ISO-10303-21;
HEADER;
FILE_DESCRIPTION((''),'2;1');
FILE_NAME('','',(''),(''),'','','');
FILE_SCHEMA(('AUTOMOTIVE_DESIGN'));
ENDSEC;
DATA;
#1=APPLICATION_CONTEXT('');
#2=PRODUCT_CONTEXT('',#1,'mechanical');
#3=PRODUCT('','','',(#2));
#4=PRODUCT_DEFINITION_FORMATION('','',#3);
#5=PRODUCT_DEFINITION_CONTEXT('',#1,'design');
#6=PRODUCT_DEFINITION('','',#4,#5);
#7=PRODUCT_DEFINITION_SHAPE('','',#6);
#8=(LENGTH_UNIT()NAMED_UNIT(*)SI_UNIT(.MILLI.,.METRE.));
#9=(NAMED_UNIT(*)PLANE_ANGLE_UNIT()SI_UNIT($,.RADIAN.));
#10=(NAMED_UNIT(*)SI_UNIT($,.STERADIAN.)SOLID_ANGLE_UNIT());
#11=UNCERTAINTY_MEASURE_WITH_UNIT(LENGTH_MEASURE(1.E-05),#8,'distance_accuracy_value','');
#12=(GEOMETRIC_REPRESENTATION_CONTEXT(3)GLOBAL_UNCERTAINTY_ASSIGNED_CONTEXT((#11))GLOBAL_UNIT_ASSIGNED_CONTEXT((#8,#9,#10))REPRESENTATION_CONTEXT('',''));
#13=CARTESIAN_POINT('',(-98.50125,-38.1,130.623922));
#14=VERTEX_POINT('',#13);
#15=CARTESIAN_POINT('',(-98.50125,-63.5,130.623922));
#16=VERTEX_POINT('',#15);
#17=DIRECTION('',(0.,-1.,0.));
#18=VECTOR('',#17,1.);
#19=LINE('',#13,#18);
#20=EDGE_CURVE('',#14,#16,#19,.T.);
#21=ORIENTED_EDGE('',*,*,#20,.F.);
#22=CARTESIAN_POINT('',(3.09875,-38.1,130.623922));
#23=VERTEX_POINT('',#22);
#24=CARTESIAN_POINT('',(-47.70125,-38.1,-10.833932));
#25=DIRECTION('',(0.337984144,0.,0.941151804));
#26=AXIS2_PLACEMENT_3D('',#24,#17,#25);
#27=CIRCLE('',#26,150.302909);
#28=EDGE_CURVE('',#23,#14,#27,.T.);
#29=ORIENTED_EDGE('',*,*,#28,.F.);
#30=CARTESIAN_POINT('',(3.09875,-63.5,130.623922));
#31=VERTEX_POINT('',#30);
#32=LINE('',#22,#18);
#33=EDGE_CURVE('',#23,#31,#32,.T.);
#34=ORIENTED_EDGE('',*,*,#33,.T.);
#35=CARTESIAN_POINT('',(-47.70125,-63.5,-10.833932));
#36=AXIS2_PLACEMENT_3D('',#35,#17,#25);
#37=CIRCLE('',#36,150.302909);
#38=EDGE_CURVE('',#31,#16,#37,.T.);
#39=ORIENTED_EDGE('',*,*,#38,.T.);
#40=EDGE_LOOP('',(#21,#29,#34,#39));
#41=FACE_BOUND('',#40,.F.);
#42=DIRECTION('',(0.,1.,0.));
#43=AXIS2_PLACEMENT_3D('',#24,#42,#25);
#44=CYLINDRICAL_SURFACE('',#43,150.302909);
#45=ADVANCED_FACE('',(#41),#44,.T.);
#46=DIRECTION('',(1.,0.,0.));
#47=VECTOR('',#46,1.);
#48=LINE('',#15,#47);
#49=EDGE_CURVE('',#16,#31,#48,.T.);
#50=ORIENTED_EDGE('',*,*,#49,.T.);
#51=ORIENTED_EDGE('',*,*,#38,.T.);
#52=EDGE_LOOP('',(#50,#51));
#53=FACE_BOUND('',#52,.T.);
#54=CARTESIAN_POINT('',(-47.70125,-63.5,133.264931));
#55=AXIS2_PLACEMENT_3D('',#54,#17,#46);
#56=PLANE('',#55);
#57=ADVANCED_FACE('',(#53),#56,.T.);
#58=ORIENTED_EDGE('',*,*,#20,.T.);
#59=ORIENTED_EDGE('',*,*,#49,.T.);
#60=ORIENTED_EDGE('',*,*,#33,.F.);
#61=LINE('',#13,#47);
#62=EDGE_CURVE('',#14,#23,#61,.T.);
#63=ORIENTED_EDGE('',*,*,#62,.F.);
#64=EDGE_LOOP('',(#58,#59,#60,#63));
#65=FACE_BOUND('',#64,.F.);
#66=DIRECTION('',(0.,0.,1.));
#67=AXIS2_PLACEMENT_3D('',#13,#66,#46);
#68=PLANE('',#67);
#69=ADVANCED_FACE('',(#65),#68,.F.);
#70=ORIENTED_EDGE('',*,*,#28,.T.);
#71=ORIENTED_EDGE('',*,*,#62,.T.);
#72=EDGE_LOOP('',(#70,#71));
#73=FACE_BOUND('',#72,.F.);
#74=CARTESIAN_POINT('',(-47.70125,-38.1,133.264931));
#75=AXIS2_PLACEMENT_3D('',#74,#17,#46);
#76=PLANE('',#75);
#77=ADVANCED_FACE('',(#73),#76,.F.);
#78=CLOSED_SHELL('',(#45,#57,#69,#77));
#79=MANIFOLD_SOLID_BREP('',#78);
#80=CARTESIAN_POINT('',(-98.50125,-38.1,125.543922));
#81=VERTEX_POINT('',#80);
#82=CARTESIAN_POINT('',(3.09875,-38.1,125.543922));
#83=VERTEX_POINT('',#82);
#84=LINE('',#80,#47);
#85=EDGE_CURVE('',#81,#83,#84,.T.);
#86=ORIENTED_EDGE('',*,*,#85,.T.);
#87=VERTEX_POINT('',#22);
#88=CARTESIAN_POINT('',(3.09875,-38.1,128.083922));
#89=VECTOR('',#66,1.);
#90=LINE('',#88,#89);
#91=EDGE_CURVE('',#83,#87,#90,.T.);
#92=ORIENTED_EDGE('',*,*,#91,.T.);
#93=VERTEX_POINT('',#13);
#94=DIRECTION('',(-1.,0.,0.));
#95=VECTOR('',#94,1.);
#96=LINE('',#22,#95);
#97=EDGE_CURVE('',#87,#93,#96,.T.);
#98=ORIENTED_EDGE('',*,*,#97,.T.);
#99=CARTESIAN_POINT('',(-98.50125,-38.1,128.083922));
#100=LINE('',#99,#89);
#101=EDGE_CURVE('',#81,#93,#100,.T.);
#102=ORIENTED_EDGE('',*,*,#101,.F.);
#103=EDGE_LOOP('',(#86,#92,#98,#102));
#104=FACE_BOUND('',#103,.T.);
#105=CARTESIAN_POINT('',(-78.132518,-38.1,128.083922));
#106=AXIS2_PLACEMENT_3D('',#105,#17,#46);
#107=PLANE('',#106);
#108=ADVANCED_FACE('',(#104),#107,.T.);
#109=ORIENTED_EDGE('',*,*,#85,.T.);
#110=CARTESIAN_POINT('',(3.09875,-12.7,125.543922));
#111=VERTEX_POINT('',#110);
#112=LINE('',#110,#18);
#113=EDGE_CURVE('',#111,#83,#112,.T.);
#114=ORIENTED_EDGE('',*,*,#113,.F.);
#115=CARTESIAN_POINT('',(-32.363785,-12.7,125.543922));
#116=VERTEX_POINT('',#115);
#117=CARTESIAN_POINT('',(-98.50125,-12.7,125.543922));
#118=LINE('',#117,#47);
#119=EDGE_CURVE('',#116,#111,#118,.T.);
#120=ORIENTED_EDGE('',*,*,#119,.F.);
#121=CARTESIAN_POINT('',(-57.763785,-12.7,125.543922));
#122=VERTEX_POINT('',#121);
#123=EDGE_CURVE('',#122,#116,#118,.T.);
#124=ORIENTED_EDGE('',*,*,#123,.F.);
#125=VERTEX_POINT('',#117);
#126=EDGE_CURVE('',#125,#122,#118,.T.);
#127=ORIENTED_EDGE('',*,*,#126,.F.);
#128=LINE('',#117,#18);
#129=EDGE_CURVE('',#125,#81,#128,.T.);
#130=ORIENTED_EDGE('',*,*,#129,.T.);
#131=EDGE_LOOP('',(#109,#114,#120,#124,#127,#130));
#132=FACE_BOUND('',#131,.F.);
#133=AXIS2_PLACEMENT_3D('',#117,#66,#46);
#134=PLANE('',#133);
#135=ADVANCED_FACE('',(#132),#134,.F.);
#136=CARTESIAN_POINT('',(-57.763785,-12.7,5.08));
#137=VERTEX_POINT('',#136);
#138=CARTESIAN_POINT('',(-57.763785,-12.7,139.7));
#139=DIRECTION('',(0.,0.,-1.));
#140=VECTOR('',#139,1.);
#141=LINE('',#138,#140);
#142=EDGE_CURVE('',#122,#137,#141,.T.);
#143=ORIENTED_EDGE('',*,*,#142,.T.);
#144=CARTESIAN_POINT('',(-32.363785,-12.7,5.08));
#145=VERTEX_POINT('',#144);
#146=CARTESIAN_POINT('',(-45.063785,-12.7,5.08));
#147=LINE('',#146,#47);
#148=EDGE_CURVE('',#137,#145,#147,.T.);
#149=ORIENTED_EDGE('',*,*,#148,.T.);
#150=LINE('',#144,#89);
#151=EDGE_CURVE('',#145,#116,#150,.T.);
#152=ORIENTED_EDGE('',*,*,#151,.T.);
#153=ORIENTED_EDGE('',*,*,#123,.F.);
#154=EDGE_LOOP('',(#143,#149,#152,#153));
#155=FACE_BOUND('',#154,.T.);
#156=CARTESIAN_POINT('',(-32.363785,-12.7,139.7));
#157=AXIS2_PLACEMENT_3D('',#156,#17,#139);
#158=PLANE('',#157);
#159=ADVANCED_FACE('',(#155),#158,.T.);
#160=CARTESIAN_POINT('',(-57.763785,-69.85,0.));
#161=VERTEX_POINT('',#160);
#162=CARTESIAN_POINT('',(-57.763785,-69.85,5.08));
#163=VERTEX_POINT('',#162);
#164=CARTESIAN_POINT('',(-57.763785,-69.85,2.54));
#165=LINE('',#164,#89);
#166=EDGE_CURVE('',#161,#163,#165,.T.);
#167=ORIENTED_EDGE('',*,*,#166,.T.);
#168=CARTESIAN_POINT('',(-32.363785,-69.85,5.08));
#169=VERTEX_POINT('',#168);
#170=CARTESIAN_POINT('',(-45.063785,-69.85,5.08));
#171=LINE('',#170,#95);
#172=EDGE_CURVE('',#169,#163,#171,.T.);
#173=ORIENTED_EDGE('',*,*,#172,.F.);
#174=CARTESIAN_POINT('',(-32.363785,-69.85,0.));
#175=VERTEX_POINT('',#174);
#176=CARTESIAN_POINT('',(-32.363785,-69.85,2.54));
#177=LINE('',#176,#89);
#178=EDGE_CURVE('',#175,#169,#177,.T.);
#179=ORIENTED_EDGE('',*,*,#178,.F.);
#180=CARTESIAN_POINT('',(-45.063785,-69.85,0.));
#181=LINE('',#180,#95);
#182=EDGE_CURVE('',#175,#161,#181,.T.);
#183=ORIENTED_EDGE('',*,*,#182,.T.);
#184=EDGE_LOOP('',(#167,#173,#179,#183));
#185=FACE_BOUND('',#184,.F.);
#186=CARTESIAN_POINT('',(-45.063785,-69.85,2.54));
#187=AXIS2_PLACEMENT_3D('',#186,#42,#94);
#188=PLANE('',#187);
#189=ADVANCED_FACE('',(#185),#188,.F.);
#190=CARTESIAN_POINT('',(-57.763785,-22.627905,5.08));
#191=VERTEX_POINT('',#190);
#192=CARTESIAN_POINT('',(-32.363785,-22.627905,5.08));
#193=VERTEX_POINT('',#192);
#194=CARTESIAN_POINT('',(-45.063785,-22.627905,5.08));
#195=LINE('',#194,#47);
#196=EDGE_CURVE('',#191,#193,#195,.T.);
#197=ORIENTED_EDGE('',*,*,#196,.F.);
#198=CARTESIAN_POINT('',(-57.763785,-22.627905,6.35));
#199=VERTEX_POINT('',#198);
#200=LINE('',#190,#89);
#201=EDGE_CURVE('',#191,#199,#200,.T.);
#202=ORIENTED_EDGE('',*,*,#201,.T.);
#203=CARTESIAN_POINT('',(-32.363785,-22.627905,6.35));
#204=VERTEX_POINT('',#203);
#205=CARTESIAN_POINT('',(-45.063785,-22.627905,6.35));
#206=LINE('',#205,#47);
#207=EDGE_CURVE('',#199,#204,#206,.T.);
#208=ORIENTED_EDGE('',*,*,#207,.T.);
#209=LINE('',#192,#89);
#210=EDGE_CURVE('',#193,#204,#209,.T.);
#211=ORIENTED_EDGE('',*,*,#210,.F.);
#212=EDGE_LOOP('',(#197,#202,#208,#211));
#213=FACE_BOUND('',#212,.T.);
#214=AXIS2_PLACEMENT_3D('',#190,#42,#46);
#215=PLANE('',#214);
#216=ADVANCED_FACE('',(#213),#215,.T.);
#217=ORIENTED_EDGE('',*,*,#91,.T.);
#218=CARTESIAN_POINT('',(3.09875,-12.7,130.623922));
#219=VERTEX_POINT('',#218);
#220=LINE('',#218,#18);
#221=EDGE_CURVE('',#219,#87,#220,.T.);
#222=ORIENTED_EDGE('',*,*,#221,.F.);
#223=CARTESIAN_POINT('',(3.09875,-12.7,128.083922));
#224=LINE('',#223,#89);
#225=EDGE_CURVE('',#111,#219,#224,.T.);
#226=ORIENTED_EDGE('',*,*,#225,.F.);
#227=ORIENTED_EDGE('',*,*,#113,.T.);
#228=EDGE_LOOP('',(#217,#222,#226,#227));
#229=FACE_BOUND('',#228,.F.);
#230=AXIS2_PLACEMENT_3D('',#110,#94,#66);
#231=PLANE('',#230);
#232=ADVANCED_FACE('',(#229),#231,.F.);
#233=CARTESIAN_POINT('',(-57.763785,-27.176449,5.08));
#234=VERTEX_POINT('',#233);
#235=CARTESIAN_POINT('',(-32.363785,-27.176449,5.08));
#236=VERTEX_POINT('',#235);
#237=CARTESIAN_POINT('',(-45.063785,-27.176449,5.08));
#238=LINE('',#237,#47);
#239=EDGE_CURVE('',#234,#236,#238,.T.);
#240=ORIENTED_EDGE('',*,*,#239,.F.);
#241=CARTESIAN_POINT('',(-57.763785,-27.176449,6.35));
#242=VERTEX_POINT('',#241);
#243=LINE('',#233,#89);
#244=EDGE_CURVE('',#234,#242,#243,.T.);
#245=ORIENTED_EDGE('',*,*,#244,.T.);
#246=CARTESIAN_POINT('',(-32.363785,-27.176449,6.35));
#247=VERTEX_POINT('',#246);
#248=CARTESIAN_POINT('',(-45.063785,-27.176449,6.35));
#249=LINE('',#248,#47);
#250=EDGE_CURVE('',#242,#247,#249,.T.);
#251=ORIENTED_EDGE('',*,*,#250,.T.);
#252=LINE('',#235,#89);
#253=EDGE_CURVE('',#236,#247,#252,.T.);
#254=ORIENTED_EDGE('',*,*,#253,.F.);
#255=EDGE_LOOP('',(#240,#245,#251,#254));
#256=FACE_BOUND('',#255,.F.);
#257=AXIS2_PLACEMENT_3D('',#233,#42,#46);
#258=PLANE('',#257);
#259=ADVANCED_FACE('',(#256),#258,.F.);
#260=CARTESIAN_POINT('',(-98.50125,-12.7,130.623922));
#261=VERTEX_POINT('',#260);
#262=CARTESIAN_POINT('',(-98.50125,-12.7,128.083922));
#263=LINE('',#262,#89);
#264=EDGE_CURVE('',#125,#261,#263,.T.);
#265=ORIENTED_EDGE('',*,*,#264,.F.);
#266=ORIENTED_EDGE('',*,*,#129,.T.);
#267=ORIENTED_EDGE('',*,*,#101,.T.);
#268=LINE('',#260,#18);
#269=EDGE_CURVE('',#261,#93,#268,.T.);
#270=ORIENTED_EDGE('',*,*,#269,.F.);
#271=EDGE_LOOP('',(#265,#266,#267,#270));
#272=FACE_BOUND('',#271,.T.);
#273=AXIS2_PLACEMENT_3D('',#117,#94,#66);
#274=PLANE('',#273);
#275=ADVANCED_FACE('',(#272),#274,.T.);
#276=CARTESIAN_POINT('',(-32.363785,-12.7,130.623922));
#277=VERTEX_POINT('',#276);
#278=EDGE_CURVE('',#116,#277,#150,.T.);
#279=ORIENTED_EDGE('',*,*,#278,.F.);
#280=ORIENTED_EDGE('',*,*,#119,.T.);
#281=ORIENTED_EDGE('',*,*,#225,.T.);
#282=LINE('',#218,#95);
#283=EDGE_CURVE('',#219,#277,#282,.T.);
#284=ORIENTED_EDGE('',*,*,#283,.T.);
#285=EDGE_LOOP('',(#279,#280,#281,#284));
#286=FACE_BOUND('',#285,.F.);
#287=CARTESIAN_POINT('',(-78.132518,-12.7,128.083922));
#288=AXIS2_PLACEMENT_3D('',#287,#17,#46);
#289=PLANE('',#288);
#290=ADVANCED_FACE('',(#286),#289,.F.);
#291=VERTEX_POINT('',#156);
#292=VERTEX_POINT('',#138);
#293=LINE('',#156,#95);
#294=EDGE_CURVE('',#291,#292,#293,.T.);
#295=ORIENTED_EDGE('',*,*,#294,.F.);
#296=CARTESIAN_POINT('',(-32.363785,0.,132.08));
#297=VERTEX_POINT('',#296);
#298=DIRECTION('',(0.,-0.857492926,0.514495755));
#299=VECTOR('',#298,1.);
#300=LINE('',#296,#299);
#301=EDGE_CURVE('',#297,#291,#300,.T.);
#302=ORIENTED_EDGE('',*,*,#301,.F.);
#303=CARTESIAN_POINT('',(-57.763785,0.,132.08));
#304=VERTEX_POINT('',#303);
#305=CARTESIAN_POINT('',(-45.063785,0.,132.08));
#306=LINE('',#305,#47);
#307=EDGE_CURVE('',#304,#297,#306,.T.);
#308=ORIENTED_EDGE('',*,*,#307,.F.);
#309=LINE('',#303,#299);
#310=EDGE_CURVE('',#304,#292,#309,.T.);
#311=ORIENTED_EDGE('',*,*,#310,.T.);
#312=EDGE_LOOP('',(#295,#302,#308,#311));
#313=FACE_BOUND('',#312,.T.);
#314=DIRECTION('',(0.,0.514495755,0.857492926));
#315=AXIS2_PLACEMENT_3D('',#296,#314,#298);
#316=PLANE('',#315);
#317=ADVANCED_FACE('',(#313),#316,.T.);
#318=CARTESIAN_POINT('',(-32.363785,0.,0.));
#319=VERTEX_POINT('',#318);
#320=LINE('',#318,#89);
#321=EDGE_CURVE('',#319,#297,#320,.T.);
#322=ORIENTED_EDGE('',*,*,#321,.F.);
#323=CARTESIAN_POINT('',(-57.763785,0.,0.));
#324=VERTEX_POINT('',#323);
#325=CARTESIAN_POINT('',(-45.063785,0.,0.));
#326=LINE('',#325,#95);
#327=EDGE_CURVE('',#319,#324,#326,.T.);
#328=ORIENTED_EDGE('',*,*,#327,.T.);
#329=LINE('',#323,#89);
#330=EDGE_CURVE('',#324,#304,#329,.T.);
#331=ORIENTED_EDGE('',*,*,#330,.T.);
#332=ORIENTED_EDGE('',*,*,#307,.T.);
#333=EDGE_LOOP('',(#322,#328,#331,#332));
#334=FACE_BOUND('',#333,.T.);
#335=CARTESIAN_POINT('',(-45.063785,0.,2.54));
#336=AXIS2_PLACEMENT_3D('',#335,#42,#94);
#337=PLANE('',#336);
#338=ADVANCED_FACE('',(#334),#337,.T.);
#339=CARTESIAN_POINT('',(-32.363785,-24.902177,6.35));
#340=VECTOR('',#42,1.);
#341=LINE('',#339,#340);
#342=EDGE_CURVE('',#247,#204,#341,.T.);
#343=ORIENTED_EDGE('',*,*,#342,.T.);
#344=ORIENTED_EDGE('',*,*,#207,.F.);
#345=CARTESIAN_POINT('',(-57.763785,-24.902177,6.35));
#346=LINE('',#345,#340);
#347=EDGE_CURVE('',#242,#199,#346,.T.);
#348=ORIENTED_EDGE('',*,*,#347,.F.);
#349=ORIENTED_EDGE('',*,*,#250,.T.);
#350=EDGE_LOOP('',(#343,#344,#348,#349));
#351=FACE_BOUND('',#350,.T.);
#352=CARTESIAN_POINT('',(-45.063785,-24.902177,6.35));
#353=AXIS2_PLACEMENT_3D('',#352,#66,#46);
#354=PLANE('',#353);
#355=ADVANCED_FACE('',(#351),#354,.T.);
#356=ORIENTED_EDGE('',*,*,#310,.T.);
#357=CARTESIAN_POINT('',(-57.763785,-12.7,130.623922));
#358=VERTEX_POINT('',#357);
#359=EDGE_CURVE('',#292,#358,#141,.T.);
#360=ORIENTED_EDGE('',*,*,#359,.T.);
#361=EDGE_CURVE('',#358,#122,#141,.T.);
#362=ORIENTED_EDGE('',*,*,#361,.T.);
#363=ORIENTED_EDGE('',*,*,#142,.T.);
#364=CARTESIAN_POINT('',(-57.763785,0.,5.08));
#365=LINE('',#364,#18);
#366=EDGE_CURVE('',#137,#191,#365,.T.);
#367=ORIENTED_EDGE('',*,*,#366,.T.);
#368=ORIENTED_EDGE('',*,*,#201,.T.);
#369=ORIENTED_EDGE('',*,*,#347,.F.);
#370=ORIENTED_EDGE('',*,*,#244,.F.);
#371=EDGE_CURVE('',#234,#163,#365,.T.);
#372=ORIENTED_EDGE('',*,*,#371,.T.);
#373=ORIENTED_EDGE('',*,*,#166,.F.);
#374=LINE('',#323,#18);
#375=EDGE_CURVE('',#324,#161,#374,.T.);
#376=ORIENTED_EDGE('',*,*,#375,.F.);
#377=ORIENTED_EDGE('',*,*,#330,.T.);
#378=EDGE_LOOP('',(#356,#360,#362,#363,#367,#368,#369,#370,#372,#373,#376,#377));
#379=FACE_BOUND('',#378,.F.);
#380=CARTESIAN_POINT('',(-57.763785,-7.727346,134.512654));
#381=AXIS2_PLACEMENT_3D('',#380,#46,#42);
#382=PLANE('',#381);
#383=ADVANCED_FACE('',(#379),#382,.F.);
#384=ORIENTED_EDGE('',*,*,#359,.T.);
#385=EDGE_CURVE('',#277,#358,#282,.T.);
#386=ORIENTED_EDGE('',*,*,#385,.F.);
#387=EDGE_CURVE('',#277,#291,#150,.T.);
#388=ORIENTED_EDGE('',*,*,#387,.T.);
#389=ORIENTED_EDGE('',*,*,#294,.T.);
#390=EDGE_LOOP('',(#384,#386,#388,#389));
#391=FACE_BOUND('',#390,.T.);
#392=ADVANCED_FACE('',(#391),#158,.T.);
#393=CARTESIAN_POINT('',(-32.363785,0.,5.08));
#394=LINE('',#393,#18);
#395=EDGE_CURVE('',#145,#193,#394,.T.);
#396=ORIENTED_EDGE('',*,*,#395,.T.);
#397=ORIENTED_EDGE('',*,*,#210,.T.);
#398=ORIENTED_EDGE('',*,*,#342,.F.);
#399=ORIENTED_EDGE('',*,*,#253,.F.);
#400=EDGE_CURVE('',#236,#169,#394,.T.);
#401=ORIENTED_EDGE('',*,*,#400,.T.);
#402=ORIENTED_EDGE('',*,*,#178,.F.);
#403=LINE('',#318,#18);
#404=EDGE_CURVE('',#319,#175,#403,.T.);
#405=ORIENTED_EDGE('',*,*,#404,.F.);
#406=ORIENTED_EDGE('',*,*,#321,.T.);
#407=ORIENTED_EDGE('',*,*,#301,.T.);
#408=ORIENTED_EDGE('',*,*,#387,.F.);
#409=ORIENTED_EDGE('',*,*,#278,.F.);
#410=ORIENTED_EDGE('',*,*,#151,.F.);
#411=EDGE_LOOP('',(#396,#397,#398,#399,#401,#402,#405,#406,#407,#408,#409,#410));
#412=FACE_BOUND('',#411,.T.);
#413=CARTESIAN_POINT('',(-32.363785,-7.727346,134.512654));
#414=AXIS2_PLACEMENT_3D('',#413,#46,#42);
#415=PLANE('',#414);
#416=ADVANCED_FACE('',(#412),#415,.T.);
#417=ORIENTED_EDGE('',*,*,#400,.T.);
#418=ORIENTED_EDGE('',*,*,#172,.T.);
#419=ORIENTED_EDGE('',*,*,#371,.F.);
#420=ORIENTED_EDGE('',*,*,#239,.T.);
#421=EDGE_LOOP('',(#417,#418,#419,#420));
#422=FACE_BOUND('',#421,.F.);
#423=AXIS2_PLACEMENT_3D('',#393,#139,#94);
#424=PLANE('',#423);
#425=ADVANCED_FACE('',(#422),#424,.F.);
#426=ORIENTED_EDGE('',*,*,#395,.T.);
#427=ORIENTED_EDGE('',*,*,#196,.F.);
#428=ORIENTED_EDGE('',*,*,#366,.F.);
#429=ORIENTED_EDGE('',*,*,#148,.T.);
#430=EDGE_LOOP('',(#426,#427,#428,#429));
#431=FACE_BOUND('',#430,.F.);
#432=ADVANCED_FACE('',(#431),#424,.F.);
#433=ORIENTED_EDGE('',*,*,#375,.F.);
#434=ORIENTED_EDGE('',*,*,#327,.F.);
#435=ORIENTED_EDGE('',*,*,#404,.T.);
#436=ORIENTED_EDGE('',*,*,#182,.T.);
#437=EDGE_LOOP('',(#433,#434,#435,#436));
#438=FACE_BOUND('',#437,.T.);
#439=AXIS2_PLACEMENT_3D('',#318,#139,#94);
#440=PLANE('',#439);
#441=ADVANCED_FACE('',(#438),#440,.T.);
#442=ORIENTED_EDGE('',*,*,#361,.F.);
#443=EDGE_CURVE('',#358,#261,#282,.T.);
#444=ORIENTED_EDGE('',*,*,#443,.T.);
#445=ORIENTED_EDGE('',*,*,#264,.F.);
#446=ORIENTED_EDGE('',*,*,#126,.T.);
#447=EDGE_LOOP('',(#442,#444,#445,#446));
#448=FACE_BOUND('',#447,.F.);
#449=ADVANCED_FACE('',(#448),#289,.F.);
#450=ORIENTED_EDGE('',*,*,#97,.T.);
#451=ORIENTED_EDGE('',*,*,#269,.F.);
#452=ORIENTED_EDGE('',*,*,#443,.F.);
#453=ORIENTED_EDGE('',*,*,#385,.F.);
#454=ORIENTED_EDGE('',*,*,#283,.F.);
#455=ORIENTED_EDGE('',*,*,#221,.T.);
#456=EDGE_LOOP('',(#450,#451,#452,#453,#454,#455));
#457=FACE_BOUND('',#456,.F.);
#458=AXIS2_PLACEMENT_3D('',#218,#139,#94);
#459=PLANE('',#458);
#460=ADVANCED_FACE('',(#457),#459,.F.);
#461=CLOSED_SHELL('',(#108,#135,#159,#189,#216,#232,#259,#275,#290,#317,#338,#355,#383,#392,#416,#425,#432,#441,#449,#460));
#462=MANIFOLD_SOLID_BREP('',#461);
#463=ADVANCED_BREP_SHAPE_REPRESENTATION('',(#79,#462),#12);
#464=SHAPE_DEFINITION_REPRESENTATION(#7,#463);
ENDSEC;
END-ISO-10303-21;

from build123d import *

# Parameters (mm, degrees)
F0_W      = 25.4
F0_H      = 127
F1_DEPTH  = 12.7
F2_W      = 25.4
F2_H      = 5.08
F3_DEPTH  = 69.85
F5_DEPTH  = 25.4
F6_W      = 40.737465024
F6_H      = 5.08
F6_W_2    = 35.462534976
F6_W_3    = 25.4
F7_DEPTH  = 25.4
F9_DEPTH  = 25.4
F10_W     = 25.4
F10_H     = 4.5485440642
F11_DEPTH = 1.27


with BuildPart() as f1:
    # F0 (on Front) → F1 (new body)
    with BuildSketch(Plane.XZ):
        with Locations((-45.0637851238, 68.58)):
            Rectangle(F0_W, F0_H)
    extrude(amount=F1_DEPTH)

    # F2 (on face) → F3 (join)
    with BuildSketch(Plane(origin=(0, 0, 0), x_dir=(-1, 0, 0), z_dir=(0, 1, 0))):
        with Locations((45.0637851238, 2.54)):
            Rectangle(F2_W, F2_H)
    extrude(amount=-F3_DEPTH)

    # F4 (on face) → F5 (join)
    with BuildSketch(Plane.YZ.offset(-32.3637851238)):
        Polygon((0, 132.08), (-12.7, 139.7), (-12.7, 132.08), align=None)
    extrude(amount=-F5_DEPTH)

    # F6 (on face) → F7 (join)
    with BuildSketch(Plane.XZ.offset(12.7)):
        with Locations((-78.1325176358, 128.0839221859)):
            Rectangle(F6_W, F6_H)
        with Locations((-14.6325176358, 128.0839221859)):
            Rectangle(F6_W_2, F6_H)
        with Locations((-45.0637851238, 128.0839221859)):
            Rectangle(F6_W_3, F6_H)
    extrude(amount=F7_DEPTH)

    # F10 (on face) → F11 (join)
    with BuildSketch(Plane.XY.offset(5.08)):
        with Locations((-45.0637851238, -24.9021770433)):
            Rectangle(F10_W, F10_H)
    extrude(amount=F11_DEPTH)


with BuildPart() as f9:
    # F8 (on face) → F9 (new body)
    with BuildSketch(Plane.XZ.offset(38.1)):
        with BuildLine():
            Line((-98.5012501478, 130.6239221859), (3.0987498522, 130.6239221859))
            ThreePointArc((3.0987498522, 130.6239221859), (-47.7012501478, 139.4689772047), (-98.5012501478, 130.6239221859))
        make_face()
    extrude(amount=F9_DEPTH)


solid = Compound([f1.part, f9.part])
